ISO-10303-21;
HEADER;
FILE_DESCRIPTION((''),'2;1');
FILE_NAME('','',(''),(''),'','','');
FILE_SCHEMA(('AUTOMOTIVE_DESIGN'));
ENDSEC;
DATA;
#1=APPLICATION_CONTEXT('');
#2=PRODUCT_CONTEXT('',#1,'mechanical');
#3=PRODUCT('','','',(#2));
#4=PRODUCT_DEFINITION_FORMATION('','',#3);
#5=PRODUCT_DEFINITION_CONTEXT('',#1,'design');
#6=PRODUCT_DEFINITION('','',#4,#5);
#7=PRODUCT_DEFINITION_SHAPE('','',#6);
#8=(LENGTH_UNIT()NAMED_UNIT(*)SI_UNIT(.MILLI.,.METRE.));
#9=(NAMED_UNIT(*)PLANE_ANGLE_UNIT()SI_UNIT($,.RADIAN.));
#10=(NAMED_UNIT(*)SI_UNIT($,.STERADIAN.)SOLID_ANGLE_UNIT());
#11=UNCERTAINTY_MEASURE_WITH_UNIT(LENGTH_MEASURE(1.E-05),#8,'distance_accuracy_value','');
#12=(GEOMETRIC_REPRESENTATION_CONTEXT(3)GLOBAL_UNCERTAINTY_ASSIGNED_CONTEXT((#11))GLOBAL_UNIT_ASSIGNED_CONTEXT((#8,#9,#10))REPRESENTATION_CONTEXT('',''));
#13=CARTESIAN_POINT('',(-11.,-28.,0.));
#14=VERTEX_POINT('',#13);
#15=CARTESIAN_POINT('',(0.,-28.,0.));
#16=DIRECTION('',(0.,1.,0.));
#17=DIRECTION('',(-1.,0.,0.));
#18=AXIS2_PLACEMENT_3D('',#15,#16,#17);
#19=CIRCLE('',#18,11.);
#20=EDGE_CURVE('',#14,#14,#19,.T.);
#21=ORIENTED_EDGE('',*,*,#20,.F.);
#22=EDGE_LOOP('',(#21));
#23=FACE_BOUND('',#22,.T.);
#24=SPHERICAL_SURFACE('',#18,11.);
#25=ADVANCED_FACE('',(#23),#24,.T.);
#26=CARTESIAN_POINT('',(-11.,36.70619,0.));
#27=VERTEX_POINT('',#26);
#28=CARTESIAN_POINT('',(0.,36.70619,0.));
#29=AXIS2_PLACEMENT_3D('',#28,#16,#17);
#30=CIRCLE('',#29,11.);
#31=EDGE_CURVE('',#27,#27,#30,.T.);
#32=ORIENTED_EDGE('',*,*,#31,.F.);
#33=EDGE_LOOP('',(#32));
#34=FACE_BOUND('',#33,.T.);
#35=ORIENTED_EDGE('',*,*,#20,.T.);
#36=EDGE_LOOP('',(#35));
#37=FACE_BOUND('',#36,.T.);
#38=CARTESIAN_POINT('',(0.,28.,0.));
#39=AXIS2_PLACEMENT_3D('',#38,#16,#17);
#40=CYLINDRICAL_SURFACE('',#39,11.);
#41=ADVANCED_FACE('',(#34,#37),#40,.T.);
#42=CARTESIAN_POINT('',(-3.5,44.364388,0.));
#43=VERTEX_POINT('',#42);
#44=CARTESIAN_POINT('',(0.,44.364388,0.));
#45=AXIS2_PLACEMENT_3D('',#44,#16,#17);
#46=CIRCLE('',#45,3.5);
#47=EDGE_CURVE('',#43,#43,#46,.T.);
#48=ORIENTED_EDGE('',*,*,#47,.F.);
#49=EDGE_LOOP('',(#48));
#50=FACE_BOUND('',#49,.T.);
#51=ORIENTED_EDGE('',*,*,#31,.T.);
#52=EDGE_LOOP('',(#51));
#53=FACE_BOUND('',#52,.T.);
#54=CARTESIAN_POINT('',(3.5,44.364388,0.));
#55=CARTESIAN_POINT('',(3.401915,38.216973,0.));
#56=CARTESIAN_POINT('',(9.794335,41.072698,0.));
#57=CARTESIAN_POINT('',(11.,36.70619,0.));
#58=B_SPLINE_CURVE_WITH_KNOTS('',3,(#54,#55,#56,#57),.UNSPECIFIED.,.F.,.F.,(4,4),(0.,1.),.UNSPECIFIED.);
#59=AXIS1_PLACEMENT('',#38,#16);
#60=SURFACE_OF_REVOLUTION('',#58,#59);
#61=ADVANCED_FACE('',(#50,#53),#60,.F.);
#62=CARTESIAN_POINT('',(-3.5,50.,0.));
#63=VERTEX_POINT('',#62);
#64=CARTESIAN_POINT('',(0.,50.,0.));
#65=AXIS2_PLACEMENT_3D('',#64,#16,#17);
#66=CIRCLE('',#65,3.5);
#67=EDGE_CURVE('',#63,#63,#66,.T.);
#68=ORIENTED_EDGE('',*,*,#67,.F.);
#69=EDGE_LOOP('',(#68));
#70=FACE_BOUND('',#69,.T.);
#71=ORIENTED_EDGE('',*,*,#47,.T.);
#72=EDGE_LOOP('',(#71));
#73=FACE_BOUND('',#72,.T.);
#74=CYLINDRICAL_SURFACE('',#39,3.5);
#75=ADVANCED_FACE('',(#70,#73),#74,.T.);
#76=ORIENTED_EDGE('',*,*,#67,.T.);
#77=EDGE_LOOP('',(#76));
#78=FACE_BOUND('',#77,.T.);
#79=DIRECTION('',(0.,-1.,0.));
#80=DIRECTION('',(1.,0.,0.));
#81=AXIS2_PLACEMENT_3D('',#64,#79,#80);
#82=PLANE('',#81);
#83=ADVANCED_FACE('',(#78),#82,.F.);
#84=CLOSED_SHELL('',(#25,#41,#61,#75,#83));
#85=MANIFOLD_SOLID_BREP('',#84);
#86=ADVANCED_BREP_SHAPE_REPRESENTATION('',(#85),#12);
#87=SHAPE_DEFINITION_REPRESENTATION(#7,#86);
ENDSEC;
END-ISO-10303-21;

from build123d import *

# Parameters (mm, degrees)
SKETCH1_W = 3.5
SKETCH1_H = 11


with BuildPart() as part:
    # Sketch1 → Revolve1 (revolve)
    with BuildSketch(Plane.XY, mode=Mode.PRIVATE) as revolve1_sk:
        with BuildLine():
            Line((9.085974676, 39), (3.5, 39))
            Line((3.5, 39), (3.5, 28))
            Line((3.5, 28), (0, 28))
            Line((0, 28), (0, -39))
            ThreePointArc((0, -39), (7.778174593, -35.778174593), (11, -28))
            Line((11, -28), (11, 36.706189904))
            add(Edge.make_bspline(
                [(9.085974676, 39), (9.952667981, 38.554296202), (10.670284632, 37.900307222), (11, 36.706189904)],
                knots=[0.726528094, 0.726528094, 0.726528094, 0.726528094, 1, 1, 1, 1], degree=3))
        make_face()
        with BuildLine():
            Line((3.5, 44.089340843), (3.5, 39))
            Line((3.5, 39), (9.085974676, 39))
            add(Edge.make_bspline(
                [(3.5, 44.089340843), (3.569121253, 39.909476787), (6.831780935, 40.159236729), (9.085974676, 39)],
                knots=[0.015251506, 0.015251506, 0.015251506, 0.015251506, 0.726528094, 0.726528094, 0.726528094, 0.726528094], degree=3))
        make_face()
        with Locations((1.75, 33.5)):
            Rectangle(SKETCH1_W, SKETCH1_H)
        with BuildLine():
            Line((0, 50), (0, 39))
            Line((0, 39), (3.5, 39))
            Line((3.5, 39), (3.5, 44.089340843))
            add(Edge.make_bspline(
                [(3.5, 44.364387792), (3.498504063, 44.270630457), (3.498517872, 44.178967328), (3.5, 44.089340843)],
                knots=[0, 0, 0, 0, 0.015251506, 0.015251506, 0.015251506, 0.015251506], degree=3))
            Line((3.5, 44.364387792), (3.5, 50))
            Line((3.5, 50), (0, 50))
        make_face()
    revolve(revolve1_sk.sketch.rotate(Axis((0, 28, 0), (0, -1, 0)), 180), axis=Axis((0, 28, 0), (0, -1, 0)))


solid = part.part
